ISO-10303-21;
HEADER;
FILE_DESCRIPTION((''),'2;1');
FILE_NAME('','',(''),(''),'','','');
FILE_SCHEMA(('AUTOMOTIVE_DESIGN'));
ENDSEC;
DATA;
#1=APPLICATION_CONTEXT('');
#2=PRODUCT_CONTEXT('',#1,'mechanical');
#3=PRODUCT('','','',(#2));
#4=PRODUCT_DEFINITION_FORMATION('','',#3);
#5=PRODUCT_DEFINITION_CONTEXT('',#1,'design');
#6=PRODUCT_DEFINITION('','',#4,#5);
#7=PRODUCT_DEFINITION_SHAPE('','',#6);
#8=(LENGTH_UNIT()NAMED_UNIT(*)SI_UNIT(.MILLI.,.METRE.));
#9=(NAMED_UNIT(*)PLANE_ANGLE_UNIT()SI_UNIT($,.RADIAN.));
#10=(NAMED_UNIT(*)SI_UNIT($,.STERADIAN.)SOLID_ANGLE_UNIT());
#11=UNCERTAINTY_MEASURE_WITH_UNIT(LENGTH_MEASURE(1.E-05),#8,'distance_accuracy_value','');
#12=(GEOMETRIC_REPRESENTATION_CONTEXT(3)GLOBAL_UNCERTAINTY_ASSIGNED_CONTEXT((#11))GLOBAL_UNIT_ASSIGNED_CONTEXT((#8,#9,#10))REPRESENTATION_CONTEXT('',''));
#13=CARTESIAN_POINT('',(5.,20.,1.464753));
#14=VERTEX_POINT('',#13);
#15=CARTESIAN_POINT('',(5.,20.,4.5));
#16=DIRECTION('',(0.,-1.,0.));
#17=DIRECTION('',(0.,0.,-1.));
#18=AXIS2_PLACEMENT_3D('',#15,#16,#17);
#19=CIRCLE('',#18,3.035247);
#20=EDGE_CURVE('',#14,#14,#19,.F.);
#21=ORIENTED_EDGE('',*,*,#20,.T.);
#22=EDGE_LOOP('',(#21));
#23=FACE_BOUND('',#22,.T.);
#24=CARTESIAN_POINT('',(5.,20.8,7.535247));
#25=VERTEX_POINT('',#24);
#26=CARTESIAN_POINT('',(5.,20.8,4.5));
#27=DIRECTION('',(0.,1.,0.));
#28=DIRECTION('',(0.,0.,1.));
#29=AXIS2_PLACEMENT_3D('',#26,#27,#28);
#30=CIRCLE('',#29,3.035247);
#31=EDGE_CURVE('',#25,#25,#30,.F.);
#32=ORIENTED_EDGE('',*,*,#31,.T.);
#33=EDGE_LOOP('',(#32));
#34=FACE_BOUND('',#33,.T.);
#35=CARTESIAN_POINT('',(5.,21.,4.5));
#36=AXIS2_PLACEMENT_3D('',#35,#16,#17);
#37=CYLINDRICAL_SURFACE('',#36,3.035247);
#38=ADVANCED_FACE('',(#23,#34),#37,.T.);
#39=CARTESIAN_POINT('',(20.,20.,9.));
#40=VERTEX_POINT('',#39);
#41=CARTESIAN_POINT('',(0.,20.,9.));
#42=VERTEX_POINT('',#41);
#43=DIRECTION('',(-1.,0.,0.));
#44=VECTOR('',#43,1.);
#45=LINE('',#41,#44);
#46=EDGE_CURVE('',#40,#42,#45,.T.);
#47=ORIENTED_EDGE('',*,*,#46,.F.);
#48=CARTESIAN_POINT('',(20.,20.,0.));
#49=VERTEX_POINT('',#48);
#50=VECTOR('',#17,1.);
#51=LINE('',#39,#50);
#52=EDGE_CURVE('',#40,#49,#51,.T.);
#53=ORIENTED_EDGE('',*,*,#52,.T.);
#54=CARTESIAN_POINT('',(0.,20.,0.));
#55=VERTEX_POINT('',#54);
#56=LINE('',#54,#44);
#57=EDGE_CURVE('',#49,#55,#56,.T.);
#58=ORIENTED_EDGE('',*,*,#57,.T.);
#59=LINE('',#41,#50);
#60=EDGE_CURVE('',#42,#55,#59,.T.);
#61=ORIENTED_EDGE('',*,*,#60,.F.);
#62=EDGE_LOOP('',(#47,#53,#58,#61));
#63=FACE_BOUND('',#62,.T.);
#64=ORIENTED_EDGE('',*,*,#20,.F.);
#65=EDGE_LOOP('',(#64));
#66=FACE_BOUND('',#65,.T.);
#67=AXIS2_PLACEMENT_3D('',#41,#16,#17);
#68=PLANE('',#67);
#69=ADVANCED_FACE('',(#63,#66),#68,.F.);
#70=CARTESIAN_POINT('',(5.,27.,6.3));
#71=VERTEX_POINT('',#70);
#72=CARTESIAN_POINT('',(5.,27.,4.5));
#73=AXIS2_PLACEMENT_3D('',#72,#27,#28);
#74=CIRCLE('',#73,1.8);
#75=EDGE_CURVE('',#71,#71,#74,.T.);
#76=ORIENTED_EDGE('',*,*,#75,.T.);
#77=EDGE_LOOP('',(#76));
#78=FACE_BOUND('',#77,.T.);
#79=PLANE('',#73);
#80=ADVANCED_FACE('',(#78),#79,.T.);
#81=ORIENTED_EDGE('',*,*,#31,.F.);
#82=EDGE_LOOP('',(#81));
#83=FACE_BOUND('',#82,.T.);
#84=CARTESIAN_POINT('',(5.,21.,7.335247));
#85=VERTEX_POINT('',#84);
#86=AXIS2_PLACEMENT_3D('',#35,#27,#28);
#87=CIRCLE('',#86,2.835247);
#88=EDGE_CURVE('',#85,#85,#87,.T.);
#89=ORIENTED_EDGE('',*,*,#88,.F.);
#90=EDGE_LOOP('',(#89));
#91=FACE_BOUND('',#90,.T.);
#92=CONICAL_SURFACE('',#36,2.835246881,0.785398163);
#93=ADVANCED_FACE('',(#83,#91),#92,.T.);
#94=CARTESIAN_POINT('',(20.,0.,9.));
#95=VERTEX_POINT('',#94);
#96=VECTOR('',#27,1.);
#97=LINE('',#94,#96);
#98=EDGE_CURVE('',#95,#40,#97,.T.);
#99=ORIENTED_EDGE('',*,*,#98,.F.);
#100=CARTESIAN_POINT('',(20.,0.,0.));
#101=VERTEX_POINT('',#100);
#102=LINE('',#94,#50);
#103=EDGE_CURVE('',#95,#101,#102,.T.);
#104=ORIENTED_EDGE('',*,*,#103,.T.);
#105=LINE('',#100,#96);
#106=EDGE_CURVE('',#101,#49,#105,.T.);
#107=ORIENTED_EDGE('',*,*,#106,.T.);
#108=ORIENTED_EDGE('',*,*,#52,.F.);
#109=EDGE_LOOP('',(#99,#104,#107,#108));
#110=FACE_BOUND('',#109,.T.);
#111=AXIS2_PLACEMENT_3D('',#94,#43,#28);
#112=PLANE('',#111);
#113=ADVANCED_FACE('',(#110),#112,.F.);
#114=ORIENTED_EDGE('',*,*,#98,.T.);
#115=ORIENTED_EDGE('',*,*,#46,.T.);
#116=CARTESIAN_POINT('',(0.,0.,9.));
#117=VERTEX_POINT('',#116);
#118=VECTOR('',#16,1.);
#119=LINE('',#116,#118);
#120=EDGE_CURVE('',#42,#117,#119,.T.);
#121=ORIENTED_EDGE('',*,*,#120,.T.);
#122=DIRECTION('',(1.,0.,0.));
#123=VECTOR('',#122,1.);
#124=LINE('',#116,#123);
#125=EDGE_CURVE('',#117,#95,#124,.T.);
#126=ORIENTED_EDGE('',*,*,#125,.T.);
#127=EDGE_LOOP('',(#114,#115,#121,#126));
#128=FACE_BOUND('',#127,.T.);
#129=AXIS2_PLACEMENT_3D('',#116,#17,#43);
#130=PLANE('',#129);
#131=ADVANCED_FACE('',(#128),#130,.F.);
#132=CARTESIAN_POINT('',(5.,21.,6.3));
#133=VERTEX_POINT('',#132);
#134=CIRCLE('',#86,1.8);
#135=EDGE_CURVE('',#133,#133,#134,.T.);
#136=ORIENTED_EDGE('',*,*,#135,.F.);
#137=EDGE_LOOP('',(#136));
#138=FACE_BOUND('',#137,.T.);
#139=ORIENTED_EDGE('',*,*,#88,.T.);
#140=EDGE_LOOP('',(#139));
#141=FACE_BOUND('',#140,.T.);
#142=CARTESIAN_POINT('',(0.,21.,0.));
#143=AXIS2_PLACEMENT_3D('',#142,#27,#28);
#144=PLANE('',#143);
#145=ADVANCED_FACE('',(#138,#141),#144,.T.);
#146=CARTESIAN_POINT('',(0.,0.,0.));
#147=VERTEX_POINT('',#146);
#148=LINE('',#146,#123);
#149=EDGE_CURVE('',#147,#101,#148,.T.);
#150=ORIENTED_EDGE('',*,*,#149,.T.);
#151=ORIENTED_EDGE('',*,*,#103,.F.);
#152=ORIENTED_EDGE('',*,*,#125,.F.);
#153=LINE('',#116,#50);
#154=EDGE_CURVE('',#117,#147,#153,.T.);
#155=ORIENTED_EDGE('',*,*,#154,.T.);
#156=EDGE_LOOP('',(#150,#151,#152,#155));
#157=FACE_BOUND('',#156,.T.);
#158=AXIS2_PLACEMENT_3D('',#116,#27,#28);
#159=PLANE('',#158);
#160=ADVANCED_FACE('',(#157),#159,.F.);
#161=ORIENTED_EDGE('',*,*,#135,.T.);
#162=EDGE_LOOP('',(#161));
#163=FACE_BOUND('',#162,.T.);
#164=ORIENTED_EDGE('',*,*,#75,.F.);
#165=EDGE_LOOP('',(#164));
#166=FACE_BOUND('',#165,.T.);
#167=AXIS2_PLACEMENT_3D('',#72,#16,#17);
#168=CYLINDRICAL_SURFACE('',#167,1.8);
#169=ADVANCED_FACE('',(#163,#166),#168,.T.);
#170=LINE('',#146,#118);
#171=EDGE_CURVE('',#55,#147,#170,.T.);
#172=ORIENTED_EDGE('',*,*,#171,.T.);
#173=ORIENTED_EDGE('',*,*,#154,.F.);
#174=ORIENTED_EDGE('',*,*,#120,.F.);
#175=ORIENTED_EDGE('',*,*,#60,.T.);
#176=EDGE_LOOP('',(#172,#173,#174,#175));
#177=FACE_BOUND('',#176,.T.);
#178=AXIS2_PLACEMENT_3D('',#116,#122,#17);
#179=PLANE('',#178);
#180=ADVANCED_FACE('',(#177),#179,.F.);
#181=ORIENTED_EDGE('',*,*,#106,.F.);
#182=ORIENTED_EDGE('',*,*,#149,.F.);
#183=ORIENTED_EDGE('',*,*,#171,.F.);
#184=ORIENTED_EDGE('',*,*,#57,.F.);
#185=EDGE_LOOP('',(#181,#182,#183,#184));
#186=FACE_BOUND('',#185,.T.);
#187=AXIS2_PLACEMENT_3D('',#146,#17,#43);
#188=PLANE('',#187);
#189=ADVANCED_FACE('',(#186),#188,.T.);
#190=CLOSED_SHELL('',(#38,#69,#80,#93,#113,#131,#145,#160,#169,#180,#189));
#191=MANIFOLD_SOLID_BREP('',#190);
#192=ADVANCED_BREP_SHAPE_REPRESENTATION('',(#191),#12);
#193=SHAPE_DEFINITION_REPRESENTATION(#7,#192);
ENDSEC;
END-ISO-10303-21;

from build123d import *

# Parameters (mm, degrees)
ESQUISSE1_W        = 20
ESQUISSE1_H        = 20
BOSS_EXTRU_1_DEPTH = 9
BOSS_EXTRU_2_DEPTH = 1
CHANFREIN1_SIZE    = 0.2
ESQUISSE4_R        = 1.8000000000000007
BOSS_EXTRU_3_DEPTH = 6


with BuildPart() as part:
    # Esquisse1 → Boss.-Extru.1 (new body)
    with BuildSketch(Plane.XY):
        with Locations((10, 10)):
            Rectangle(ESQUISSE1_W, ESQUISSE1_H)
    extrude(amount=BOSS_EXTRU_1_DEPTH)

    # Esquisse2 → Boss.-Extru.2 (add)
    with BuildSketch(Plane(origin=(0, 20, 0), x_dir=(1, 0, 0), z_dir=(0, 1, 0))):
        with BuildLine():
            ThreePointArc((7.256081239041076, -2.4695268848630905), (5.0000000000000115, -1.4647531190285523), (2.7439187609589397, -2.469526884863073))
            Line((2.743918760958954, -2.4695268848630585), (5.000000000000001, -4.500000000000001))
            Line((5.000000000000001, -4.499999999999999), (7.256081239041048, -2.4695268848630567))
        make_face()
        with BuildLine():
            Line((5.000000000000001, -4.500000000000001), (2.743918760958954, -2.4695268848630585))
            ThreePointArc((2.7439187609589397, -2.469526884863073), (1.9647531190285523, -4.5), (2.743918760958939, -6.530473115136926))
            Line((2.743918760958954, -6.5304731151369415), (5.000000000000001, -4.499999999999999))
        make_face()
        with BuildLine():
            Line((7.256081239041048, -2.4695268848630567), (5.000000000000001, -4.499999999999999))
            Line((5.000000000000001, -4.500000000000001), (7.256081239041048, -6.530473115136943))
            ThreePointArc((7.256081239041075, -6.53047311513691), (7.833768442592348, -5.587418981908373), (8.035246880971448, -4.500000000000001))
            ThreePointArc((8.035246880971448, -4.5), (7.833768442592348, -3.412581018091629), (7.256081239041075, -2.46952688486309))
        make_face()
        with BuildLine():
            Line((7.256081239041048, -6.530473115136943), (5.000000000000001, -4.500000000000001))
            Line((5.000000000000001, -4.499999999999999), (2.743918760958954, -6.5304731151369415))
            ThreePointArc((2.743918760958939, -6.530473115136926), (5.000000000000011, -7.535246880971448), (7.256081239041075, -6.53047311513691))
        make_face()
    extrude(amount=BOSS_EXTRU_2_DEPTH)

    # Chanfrein1
    chanfrein1_edges = [part.edges().sort_by_distance(p)[0] for p in [
        (7.256081239041057, 21, 2.469526884863065),
    ]]
    chamfer(chanfrein1_edges, length=CHANFREIN1_SIZE)

    # Esquisse4 → Boss.-Extru.3 (add)
    with BuildSketch(Plane(origin=(0, 21, 0), x_dir=(1, 0, 0), z_dir=(0, 1, 0))):
        with Locations(Location((5, -4.5, 0), (0, 0, 270))):
            Circle(ESQUISSE4_R)
    extrude(amount=BOSS_EXTRU_3_DEPTH)


solid = part.part
